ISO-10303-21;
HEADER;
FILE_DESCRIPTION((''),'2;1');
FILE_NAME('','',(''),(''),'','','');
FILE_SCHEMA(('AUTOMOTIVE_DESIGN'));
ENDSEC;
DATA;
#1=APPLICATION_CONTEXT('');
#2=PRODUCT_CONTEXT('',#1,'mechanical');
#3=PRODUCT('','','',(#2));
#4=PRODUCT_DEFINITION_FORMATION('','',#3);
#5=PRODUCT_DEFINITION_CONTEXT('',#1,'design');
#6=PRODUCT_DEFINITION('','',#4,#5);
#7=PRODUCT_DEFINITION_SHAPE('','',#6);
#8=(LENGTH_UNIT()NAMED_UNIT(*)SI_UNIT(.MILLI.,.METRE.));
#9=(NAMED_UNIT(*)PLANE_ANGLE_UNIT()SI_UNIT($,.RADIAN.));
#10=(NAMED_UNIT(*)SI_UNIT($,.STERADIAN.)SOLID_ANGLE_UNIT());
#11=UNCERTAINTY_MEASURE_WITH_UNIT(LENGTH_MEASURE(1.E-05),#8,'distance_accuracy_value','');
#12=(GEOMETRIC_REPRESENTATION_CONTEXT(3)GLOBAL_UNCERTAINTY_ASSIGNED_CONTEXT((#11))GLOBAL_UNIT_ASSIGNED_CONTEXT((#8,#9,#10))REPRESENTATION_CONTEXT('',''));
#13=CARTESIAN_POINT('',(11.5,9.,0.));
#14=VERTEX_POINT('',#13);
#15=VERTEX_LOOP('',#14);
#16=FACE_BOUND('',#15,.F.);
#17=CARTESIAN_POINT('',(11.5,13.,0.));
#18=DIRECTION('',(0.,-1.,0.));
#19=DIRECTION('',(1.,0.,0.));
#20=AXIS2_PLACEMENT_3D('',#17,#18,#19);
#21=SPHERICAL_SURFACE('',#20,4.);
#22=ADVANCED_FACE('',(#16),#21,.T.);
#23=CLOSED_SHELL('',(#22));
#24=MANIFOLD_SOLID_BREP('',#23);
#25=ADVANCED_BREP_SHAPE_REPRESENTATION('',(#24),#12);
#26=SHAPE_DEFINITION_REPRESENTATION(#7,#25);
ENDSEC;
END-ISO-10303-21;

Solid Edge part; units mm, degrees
sketch "Sketch1" plane through (0, 0, 0) normal (0, 0, 1) x (1, 0, 0)
  arc A0 (11.5, 17) -> (11.5, 9) centre (11.5, 13) cw
  line L0 (11.5, 9) -> (11.5, 17)
revolve "RevolvedProtrusion1" add sketch "Sketch1" angle 360 about axis through (11.5, 9, 0) along (0, 1, 0)
properties part number "UCP201 GB/T7810-1995_PART7"
